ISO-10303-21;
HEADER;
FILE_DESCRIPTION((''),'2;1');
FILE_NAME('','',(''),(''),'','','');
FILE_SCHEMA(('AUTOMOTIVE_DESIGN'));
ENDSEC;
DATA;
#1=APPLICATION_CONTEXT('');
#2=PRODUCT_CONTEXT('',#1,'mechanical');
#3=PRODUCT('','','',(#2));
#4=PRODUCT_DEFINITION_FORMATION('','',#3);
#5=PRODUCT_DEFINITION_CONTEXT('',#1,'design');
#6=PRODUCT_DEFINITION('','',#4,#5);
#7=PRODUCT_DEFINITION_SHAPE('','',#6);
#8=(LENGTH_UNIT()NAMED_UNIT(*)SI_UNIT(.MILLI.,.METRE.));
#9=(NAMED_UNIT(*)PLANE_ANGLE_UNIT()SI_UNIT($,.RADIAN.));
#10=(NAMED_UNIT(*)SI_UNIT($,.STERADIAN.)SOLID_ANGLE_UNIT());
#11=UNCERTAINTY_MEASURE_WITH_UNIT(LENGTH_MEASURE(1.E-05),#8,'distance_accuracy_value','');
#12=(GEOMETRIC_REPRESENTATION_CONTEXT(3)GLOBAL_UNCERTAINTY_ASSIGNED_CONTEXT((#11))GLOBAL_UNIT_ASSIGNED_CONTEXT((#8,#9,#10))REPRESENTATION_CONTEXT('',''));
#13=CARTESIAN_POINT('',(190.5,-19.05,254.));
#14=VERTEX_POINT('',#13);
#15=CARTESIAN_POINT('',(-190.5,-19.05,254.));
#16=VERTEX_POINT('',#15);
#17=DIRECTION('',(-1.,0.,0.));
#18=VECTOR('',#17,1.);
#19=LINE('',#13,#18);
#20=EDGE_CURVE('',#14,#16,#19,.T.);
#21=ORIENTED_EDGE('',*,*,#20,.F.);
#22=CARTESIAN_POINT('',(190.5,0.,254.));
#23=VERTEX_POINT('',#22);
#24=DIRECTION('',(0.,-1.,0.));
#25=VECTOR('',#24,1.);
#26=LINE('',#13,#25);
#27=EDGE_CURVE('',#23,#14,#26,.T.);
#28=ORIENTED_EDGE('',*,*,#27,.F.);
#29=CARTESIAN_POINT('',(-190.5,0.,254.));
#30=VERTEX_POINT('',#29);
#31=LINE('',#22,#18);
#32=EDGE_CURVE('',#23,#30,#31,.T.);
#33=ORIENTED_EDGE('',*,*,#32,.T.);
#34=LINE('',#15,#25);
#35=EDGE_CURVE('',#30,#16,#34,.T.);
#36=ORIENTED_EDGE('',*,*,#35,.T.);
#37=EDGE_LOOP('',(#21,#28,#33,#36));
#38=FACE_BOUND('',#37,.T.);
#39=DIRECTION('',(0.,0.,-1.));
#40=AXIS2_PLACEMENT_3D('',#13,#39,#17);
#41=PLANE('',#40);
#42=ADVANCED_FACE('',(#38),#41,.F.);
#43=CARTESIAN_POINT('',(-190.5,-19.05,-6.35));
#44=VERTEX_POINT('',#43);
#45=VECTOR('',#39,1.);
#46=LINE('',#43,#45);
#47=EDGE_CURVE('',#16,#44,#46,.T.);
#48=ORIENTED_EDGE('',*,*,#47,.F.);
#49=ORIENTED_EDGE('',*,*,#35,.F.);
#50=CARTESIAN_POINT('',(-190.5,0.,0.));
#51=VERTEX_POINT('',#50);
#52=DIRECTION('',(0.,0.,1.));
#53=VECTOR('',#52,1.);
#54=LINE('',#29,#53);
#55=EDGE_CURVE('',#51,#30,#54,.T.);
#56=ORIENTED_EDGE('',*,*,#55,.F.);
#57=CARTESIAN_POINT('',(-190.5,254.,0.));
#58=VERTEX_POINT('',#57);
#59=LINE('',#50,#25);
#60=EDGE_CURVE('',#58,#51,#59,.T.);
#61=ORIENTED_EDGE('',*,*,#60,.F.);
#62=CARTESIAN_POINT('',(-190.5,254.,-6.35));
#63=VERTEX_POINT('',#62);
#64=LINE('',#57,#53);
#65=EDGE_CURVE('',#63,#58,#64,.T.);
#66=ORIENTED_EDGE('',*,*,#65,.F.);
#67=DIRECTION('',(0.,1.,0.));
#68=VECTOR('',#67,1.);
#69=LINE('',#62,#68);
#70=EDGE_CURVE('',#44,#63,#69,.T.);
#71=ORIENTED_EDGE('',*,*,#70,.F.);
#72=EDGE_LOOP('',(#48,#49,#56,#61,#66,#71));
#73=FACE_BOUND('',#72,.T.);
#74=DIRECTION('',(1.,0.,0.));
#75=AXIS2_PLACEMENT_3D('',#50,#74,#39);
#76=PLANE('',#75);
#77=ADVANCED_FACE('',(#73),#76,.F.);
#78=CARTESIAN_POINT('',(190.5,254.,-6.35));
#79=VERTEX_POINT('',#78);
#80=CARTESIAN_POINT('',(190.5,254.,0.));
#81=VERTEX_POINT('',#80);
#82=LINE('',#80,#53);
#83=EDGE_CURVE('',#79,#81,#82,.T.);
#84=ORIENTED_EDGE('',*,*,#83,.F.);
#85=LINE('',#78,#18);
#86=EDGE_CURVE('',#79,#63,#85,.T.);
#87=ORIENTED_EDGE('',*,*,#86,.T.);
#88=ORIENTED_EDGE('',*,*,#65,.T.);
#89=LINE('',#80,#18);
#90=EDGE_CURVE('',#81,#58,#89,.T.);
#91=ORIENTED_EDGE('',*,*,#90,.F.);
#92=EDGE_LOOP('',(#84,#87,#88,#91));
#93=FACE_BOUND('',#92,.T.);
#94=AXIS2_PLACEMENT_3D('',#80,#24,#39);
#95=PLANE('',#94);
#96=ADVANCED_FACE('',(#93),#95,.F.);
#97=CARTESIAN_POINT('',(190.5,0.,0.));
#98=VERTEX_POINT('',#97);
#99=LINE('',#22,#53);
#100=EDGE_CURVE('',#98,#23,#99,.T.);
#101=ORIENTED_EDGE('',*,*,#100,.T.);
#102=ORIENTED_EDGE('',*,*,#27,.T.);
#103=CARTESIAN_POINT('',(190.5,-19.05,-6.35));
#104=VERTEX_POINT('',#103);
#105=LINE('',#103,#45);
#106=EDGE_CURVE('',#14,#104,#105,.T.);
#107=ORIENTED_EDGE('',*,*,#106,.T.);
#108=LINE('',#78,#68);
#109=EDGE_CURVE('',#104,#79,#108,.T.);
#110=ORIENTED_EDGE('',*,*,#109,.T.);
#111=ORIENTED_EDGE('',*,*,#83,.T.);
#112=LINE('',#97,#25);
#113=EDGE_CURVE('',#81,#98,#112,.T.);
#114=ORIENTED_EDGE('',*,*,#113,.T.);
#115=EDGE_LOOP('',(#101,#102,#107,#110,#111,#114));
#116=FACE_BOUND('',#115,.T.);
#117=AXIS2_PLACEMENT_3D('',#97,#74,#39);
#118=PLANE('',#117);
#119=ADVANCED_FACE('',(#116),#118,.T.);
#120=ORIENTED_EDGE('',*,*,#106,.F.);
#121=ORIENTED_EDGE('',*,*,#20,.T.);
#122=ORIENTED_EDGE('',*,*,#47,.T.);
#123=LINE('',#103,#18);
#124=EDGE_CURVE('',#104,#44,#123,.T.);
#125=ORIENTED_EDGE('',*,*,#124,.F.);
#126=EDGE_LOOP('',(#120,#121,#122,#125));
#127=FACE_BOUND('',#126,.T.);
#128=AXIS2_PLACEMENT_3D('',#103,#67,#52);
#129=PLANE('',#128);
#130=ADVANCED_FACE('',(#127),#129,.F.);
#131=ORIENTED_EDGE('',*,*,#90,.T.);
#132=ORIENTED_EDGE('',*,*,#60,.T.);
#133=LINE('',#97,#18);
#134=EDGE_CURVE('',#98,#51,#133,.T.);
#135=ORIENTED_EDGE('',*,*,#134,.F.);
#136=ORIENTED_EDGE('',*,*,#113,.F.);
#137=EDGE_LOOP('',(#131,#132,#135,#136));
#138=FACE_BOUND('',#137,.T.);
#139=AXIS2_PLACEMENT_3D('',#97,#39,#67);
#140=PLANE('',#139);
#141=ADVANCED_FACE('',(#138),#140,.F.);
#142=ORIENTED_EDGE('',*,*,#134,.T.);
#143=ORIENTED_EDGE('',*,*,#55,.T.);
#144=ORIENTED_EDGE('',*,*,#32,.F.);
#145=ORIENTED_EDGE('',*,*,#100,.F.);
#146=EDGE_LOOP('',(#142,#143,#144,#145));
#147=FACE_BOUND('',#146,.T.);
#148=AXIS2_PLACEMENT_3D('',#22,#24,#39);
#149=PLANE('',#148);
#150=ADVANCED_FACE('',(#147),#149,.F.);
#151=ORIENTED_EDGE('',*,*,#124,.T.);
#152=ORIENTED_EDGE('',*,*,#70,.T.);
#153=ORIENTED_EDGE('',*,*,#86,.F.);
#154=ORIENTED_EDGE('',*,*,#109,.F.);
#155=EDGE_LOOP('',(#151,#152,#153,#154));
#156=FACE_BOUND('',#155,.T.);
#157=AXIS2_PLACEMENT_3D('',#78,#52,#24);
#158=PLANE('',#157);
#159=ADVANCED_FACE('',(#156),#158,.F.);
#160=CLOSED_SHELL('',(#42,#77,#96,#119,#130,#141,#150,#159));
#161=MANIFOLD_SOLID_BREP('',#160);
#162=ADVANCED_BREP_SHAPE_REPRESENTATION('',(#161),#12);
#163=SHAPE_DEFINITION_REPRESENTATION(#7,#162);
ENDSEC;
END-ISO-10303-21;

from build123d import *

# Parameters (mm, degrees)
BOSS_EXTRUDE1_DEPTH = 190.5


with BuildPart() as part:
    # Sketch1 → Boss-Extrude1 (new, symmetric)
    with BuildSketch(Plane(origin=(0, 0, 0), x_dir=(0, 0, -1), z_dir=(1, 0, 0))):
        Polygon((0, 0), (0, 254), (6.35, 254), (6.35, -19.05), (-254, -19.05), (-254, 0), align=None)
    extrude(amount=BOSS_EXTRUDE1_DEPTH, both=True)


solid = part.part
